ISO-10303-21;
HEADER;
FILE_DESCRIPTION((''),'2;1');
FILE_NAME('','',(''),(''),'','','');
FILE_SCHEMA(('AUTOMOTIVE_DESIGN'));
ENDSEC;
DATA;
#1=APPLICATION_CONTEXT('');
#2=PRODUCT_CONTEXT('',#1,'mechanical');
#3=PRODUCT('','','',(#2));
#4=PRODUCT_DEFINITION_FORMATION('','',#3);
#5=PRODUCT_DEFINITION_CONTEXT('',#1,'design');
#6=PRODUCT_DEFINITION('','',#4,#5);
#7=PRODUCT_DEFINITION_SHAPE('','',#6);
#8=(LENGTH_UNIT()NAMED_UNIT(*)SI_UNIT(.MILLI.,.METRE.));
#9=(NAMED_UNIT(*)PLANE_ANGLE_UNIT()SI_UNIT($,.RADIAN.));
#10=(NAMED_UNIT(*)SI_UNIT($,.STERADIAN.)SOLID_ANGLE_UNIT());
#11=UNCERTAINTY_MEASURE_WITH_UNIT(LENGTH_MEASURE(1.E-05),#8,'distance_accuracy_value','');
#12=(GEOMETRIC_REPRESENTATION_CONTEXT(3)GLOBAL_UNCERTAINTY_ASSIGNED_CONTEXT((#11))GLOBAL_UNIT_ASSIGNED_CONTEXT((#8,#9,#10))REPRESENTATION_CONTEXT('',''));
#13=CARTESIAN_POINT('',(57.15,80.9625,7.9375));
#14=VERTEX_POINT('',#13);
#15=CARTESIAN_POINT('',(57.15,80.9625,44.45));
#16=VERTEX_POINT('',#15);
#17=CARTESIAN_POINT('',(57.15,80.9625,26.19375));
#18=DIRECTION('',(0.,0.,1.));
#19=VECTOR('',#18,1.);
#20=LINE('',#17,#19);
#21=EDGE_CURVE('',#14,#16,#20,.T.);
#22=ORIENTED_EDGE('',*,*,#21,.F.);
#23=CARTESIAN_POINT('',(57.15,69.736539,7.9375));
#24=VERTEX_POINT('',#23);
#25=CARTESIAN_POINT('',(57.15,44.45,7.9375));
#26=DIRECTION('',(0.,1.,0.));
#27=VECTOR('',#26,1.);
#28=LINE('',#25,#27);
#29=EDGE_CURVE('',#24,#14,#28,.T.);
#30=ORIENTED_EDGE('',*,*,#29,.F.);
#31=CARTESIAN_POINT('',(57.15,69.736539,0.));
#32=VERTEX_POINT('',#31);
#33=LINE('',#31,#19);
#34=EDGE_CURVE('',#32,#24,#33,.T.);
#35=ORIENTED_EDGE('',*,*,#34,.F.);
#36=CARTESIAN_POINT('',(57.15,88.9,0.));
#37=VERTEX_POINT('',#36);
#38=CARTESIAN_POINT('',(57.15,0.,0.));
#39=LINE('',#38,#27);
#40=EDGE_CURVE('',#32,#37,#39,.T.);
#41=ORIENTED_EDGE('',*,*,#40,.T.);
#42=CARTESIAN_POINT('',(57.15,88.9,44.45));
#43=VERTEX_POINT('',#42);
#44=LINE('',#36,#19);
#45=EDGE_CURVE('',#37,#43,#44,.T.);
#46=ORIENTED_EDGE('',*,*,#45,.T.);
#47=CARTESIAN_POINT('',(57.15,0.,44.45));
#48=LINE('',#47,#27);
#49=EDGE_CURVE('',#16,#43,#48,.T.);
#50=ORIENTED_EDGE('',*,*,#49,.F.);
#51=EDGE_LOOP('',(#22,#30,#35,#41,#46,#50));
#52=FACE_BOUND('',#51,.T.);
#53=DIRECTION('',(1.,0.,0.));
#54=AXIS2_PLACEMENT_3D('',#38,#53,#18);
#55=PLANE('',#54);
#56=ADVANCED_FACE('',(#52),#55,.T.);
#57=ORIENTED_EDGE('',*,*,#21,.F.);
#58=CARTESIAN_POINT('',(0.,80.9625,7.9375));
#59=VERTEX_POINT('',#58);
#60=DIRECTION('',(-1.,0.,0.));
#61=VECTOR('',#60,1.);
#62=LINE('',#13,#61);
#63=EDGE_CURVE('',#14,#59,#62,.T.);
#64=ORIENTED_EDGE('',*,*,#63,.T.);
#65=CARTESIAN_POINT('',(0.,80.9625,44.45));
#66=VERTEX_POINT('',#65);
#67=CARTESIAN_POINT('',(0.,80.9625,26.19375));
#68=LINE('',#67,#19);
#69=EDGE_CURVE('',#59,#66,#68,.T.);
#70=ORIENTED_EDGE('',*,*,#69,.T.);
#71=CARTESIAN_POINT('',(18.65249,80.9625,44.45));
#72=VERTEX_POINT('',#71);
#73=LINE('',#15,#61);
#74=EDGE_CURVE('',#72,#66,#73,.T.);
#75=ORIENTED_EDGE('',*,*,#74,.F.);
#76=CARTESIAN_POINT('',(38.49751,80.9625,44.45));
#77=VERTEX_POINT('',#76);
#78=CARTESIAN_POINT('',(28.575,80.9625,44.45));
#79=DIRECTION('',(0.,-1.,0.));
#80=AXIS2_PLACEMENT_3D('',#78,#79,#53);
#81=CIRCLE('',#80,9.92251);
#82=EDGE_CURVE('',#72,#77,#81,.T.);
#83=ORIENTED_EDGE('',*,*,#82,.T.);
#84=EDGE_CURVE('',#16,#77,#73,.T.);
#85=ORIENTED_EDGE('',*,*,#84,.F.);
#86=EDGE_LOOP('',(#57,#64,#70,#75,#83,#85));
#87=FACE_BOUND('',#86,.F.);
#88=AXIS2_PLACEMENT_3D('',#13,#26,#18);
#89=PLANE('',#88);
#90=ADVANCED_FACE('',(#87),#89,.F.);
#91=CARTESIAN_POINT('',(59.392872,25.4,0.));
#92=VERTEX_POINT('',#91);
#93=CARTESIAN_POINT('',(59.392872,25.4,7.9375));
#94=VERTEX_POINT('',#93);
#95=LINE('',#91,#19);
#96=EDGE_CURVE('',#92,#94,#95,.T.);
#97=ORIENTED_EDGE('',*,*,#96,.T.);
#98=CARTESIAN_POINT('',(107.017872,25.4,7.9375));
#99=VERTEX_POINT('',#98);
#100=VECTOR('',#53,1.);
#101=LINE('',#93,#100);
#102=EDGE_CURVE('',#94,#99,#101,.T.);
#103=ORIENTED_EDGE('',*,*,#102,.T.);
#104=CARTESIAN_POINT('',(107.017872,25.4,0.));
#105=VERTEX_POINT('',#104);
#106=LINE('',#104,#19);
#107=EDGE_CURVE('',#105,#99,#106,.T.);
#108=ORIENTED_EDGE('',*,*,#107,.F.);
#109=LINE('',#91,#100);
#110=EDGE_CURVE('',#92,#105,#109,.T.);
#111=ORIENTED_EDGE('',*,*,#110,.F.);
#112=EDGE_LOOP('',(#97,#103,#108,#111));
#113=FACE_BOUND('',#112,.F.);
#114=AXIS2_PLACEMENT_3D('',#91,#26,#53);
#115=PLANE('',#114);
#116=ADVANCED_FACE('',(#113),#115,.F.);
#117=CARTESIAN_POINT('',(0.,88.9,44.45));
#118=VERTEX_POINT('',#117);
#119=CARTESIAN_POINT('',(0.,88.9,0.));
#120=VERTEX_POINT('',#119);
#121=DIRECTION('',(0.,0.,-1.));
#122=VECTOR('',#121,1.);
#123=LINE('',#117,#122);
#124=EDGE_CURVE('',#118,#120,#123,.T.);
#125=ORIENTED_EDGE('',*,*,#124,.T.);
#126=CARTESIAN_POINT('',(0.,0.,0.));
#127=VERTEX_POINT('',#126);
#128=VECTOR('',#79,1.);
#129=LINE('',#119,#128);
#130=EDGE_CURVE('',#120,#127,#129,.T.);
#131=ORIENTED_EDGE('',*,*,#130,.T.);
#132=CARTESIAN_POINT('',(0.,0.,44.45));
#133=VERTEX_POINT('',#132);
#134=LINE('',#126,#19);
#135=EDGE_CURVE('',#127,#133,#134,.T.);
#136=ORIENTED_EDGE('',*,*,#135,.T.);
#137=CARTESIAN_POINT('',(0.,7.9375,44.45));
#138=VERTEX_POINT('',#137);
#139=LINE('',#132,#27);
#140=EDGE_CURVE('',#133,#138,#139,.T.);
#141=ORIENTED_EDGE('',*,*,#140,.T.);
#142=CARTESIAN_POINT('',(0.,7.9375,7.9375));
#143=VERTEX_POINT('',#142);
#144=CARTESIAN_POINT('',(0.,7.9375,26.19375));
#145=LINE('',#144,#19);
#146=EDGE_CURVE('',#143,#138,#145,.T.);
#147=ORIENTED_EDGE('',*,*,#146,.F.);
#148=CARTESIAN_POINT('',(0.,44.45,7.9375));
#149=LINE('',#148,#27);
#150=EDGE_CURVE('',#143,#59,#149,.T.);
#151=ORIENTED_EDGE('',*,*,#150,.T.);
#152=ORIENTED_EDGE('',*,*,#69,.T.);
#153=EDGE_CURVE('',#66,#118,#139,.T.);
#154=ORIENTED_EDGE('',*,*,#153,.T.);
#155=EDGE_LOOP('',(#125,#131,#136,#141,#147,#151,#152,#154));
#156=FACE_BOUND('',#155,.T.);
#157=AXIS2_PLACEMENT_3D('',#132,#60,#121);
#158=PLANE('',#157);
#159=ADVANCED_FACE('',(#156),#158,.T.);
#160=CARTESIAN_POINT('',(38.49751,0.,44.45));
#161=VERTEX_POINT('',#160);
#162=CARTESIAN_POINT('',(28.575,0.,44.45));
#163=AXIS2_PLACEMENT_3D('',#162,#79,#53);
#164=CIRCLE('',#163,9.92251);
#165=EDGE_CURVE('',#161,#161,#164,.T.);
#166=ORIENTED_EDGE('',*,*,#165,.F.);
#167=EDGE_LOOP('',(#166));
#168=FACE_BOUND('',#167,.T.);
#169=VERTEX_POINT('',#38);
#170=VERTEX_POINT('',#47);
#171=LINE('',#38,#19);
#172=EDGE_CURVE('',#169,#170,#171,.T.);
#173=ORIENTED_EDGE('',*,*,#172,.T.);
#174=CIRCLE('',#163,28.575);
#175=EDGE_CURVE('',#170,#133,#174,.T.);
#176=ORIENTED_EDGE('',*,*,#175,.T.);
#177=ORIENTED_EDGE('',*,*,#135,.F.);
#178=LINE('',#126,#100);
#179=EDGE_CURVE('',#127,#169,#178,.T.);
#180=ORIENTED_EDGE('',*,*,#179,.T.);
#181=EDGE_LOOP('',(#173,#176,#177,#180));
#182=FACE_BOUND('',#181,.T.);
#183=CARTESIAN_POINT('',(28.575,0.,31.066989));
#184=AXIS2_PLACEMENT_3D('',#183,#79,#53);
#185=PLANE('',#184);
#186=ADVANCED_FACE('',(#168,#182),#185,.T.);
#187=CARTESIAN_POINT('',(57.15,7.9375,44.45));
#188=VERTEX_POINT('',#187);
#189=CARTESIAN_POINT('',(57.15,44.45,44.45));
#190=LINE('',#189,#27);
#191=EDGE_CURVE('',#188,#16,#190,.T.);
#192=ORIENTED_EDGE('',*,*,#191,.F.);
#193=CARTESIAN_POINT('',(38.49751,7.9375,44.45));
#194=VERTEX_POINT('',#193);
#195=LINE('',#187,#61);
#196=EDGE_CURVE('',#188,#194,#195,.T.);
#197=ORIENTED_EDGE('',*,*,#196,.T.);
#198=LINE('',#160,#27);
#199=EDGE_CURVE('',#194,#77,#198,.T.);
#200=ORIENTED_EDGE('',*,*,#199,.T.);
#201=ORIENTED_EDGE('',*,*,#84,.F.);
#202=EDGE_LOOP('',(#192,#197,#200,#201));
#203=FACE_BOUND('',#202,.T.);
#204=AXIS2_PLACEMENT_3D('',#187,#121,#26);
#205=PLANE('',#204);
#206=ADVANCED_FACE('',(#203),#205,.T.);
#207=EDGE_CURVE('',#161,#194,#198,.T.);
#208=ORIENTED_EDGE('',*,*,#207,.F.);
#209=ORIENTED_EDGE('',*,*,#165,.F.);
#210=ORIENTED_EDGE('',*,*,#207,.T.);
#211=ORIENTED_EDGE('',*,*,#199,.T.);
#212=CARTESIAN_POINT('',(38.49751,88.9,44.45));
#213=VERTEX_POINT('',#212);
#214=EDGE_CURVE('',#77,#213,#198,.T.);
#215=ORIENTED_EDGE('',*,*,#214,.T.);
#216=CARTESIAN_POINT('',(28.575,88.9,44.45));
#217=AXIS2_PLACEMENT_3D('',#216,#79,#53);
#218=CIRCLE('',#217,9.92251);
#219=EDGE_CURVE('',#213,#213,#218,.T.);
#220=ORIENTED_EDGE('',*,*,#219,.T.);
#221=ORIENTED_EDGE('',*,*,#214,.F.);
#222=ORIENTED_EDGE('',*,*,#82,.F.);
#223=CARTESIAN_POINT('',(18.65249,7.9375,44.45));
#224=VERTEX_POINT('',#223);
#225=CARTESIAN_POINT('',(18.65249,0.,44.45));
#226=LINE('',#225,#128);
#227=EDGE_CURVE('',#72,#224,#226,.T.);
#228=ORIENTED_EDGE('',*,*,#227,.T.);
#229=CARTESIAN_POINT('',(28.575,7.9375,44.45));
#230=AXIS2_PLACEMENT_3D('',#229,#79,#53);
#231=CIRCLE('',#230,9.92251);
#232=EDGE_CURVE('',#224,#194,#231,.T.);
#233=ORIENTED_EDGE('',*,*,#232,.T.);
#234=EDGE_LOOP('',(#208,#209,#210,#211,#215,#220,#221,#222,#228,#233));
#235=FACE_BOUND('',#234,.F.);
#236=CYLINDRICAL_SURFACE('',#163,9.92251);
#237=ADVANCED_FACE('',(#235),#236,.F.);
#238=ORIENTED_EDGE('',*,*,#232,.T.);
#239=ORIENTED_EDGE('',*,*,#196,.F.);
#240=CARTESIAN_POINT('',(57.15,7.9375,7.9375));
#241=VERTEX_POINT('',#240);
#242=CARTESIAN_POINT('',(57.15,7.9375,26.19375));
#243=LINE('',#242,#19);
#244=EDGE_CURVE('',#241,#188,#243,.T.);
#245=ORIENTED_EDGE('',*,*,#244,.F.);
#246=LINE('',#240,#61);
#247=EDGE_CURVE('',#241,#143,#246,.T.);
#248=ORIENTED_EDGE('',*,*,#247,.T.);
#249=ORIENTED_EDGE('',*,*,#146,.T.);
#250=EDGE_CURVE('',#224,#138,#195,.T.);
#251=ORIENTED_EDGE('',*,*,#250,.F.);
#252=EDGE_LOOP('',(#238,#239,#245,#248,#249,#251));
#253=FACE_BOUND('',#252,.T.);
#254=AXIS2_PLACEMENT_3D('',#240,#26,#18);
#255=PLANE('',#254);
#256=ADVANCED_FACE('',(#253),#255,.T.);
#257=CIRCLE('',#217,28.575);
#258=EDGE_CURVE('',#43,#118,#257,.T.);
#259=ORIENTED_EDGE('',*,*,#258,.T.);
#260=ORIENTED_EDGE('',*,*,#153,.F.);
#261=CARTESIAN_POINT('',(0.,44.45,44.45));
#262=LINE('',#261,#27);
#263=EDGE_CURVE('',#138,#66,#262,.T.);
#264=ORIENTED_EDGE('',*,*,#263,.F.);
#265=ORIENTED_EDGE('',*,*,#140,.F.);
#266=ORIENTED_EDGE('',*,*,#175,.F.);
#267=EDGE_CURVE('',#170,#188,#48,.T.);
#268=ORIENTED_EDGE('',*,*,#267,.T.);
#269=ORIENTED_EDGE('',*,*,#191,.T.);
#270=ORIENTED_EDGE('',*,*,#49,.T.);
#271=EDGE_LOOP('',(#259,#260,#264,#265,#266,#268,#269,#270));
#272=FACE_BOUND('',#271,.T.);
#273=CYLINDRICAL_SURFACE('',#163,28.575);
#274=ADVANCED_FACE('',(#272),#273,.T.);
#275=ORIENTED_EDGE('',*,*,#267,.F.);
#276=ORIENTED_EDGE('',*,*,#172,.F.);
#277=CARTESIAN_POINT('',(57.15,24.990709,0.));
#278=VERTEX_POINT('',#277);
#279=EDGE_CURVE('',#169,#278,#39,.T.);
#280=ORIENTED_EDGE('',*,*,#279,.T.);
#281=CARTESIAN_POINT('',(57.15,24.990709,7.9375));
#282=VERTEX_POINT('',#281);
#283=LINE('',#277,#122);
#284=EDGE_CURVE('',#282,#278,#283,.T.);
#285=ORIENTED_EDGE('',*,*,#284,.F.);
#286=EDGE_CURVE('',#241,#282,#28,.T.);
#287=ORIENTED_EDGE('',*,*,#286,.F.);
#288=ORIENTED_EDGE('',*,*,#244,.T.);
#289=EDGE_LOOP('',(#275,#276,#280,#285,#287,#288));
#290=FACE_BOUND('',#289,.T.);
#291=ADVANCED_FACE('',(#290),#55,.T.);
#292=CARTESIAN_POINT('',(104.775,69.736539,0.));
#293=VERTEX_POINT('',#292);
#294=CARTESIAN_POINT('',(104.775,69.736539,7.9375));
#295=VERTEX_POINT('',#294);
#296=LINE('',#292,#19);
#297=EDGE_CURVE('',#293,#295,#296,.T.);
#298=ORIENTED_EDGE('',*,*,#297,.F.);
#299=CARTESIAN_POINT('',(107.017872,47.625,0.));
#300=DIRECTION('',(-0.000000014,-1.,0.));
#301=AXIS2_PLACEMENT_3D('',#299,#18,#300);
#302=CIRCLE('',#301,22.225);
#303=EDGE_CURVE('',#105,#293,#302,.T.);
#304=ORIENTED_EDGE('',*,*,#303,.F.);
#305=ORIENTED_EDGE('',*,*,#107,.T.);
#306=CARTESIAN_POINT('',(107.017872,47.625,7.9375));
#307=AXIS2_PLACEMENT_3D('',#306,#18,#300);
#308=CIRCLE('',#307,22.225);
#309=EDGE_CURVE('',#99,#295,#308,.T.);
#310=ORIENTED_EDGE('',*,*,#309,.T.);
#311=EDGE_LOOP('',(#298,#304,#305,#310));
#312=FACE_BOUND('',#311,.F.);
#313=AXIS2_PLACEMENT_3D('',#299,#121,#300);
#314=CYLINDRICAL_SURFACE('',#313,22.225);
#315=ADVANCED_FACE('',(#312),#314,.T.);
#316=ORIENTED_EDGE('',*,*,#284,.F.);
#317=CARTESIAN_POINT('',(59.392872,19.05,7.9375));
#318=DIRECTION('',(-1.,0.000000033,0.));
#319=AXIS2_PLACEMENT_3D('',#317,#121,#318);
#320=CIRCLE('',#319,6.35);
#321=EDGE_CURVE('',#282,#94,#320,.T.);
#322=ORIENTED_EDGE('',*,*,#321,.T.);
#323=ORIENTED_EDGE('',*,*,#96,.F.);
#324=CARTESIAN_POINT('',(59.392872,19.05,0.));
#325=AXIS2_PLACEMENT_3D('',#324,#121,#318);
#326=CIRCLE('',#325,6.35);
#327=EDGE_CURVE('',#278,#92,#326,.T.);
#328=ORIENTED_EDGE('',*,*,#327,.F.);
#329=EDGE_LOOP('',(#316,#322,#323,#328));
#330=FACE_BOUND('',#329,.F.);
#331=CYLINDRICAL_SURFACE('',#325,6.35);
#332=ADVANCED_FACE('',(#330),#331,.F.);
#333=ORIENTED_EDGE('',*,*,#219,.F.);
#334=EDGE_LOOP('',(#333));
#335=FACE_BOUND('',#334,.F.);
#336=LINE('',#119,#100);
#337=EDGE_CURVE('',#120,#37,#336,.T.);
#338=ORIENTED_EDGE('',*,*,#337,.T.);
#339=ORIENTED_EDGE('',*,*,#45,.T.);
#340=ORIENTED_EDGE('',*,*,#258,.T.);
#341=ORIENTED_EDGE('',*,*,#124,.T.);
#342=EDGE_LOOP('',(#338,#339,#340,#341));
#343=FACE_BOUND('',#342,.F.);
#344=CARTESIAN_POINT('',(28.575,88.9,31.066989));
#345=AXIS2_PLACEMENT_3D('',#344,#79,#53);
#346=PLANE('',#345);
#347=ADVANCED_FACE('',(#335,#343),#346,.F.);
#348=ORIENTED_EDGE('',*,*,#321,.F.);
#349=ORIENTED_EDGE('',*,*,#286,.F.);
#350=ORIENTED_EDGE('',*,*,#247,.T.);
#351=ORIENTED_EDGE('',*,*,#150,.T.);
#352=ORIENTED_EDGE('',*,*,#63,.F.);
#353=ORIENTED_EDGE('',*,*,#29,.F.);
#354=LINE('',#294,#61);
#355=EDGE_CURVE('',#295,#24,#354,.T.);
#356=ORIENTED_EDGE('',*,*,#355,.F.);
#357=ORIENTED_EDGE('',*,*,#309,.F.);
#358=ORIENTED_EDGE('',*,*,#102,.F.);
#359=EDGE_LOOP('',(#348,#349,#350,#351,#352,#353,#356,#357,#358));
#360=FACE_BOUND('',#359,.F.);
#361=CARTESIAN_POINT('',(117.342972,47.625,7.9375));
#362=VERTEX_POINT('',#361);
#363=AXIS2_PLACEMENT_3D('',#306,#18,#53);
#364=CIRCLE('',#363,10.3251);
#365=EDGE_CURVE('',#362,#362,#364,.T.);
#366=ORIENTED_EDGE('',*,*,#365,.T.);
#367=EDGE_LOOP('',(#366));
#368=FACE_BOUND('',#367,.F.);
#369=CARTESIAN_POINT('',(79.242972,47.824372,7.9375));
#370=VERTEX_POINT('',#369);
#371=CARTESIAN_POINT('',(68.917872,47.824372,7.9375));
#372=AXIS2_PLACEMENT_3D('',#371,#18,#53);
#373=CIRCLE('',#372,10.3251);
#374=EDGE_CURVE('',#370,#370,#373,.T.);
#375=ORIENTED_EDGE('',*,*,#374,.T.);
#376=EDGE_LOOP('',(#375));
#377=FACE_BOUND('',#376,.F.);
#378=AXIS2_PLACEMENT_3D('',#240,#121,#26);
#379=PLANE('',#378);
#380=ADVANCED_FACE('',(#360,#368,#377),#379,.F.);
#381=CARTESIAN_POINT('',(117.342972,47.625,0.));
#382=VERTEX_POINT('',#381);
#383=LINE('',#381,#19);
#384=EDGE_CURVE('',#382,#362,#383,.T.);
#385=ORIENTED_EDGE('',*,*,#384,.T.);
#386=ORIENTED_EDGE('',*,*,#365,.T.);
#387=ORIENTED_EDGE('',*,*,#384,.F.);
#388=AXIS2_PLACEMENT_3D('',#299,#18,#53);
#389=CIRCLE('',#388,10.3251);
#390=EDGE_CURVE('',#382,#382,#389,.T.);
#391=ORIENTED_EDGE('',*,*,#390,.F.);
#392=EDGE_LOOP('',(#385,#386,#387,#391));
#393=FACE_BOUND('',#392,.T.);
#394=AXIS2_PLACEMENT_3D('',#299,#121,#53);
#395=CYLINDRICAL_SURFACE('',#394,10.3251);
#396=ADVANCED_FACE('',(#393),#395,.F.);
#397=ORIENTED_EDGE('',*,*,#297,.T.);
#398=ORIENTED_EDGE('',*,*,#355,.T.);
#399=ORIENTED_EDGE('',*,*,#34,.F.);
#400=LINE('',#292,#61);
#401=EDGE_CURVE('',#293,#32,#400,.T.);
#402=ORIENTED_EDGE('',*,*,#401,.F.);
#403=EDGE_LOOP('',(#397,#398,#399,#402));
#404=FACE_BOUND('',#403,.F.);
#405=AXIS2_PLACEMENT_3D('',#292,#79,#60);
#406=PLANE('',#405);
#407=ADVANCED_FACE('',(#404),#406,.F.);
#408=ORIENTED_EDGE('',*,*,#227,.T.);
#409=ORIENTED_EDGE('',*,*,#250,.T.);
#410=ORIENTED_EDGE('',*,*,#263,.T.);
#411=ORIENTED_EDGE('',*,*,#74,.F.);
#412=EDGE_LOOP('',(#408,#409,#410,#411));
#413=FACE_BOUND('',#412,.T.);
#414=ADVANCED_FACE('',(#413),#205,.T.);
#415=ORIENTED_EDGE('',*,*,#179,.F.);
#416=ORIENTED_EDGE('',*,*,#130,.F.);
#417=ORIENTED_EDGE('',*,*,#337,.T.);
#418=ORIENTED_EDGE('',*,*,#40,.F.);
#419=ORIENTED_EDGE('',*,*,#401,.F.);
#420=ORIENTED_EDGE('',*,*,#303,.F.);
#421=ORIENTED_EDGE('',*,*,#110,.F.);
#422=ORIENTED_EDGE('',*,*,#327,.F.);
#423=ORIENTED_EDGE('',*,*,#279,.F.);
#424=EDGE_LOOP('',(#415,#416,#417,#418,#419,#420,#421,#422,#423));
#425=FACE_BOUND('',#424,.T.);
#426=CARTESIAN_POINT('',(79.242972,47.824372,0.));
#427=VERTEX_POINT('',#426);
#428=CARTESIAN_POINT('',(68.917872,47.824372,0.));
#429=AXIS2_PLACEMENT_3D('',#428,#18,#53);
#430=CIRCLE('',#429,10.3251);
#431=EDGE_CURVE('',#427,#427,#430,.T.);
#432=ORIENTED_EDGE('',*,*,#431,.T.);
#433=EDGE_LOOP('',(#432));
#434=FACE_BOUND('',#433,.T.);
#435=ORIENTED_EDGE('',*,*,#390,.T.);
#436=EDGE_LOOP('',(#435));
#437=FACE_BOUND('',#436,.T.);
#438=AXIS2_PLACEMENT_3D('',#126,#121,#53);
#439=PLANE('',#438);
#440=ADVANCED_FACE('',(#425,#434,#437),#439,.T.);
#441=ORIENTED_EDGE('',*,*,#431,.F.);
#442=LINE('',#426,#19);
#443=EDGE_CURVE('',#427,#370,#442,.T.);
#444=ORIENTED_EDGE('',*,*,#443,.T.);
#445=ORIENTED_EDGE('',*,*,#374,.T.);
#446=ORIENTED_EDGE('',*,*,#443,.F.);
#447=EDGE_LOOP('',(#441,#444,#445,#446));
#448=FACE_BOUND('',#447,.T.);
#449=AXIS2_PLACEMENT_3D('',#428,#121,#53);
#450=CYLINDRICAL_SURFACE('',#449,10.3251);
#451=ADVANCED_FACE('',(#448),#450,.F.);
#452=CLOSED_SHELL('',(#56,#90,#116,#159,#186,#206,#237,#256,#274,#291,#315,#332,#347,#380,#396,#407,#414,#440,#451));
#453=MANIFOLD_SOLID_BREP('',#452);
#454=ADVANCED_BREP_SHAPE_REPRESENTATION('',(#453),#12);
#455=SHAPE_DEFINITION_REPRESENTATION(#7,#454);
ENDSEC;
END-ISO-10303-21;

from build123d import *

# Parameters (mm, degrees)
F1_W     = 53.042872
F1_H     = 10.270788
F1_R     = 10.3251
F1_W_2   = 50.8
F1_H_2   = 6.999225
F2_DEPTH = 7.9375
F0_R     = 9.92251
F3_DEPTH = 88.9
F4_W     = 73.025
F4_H     = 36.5125
F5_DEPTH = 57.15


with BuildPart() as f2:
    # F1 (on Top) → F2 (new body)
    with BuildSketch(Plane.XY):
        with Locations((26.521436, 5.135394)):
            Rectangle(F1_W, F1_H)
        with BuildLine():
            Line((0, 10.270788), (53.042872, 10.270788))
            Line((53.042872, 10.270788), (53.042872, 19.05))
            ThreePointArc((53.042872, 19.05), (54.902744, 23.540128), (59.392872, 25.4))
            Line((59.392872, 25.4), (107.017872, 25.4))
            ThreePointArc((107.017872, 25.4), (129.214489, 48.74787), (104.775, 69.736539))
            Line((104.775, 69.736539), (57.15, 69.736539))
            ThreePointArc((57.15, 69.736539), (52.659872, 71.596411), (50.8, 76.086539))
            Line((50.8, 76.086539), (50.8, 81.900775))
            Line((50.8, 81.900775), (0, 81.900775))
            Line((0, 81.900775), (0, 10.270788))
        make_face()
        with Locations((68.917872, 47.824372)):
            Circle(F1_R, mode=Mode.SUBTRACT)
        with Locations((107.017872, 47.625)):
            Circle(F1_R, mode=Mode.SUBTRACT)
        with Locations((25.4, 85.400387)):
            Rectangle(F1_W_2, F1_H_2)
    extrude(amount=F2_DEPTH)

    # F0 (on Front) → F3 (join)
    with BuildSketch(Plane.XZ):
        with BuildLine():
            Line((0, 44.45), (0, 0))
            Line((0, 0), (57.15, 0))
            Line((57.15, 0), (57.15, 44.45))
            ThreePointArc((57.15, 44.45), (28.575, 73.025), (0, 44.45))
        make_face()
        with Locations((28.575, 44.45)):
            Circle(F0_R, mode=Mode.SUBTRACT)
    extrude(amount=-F3_DEPTH)

    # F4 (on face) → F5 (cut, through all)
    with BuildSketch(Plane.YZ.offset(57.15)):
        with Locations((44.45, 26.19375)):
            Rectangle(F4_W, F4_H)
    extrude(amount=-F5_DEPTH, mode=Mode.SUBTRACT)


solid = f2.part
